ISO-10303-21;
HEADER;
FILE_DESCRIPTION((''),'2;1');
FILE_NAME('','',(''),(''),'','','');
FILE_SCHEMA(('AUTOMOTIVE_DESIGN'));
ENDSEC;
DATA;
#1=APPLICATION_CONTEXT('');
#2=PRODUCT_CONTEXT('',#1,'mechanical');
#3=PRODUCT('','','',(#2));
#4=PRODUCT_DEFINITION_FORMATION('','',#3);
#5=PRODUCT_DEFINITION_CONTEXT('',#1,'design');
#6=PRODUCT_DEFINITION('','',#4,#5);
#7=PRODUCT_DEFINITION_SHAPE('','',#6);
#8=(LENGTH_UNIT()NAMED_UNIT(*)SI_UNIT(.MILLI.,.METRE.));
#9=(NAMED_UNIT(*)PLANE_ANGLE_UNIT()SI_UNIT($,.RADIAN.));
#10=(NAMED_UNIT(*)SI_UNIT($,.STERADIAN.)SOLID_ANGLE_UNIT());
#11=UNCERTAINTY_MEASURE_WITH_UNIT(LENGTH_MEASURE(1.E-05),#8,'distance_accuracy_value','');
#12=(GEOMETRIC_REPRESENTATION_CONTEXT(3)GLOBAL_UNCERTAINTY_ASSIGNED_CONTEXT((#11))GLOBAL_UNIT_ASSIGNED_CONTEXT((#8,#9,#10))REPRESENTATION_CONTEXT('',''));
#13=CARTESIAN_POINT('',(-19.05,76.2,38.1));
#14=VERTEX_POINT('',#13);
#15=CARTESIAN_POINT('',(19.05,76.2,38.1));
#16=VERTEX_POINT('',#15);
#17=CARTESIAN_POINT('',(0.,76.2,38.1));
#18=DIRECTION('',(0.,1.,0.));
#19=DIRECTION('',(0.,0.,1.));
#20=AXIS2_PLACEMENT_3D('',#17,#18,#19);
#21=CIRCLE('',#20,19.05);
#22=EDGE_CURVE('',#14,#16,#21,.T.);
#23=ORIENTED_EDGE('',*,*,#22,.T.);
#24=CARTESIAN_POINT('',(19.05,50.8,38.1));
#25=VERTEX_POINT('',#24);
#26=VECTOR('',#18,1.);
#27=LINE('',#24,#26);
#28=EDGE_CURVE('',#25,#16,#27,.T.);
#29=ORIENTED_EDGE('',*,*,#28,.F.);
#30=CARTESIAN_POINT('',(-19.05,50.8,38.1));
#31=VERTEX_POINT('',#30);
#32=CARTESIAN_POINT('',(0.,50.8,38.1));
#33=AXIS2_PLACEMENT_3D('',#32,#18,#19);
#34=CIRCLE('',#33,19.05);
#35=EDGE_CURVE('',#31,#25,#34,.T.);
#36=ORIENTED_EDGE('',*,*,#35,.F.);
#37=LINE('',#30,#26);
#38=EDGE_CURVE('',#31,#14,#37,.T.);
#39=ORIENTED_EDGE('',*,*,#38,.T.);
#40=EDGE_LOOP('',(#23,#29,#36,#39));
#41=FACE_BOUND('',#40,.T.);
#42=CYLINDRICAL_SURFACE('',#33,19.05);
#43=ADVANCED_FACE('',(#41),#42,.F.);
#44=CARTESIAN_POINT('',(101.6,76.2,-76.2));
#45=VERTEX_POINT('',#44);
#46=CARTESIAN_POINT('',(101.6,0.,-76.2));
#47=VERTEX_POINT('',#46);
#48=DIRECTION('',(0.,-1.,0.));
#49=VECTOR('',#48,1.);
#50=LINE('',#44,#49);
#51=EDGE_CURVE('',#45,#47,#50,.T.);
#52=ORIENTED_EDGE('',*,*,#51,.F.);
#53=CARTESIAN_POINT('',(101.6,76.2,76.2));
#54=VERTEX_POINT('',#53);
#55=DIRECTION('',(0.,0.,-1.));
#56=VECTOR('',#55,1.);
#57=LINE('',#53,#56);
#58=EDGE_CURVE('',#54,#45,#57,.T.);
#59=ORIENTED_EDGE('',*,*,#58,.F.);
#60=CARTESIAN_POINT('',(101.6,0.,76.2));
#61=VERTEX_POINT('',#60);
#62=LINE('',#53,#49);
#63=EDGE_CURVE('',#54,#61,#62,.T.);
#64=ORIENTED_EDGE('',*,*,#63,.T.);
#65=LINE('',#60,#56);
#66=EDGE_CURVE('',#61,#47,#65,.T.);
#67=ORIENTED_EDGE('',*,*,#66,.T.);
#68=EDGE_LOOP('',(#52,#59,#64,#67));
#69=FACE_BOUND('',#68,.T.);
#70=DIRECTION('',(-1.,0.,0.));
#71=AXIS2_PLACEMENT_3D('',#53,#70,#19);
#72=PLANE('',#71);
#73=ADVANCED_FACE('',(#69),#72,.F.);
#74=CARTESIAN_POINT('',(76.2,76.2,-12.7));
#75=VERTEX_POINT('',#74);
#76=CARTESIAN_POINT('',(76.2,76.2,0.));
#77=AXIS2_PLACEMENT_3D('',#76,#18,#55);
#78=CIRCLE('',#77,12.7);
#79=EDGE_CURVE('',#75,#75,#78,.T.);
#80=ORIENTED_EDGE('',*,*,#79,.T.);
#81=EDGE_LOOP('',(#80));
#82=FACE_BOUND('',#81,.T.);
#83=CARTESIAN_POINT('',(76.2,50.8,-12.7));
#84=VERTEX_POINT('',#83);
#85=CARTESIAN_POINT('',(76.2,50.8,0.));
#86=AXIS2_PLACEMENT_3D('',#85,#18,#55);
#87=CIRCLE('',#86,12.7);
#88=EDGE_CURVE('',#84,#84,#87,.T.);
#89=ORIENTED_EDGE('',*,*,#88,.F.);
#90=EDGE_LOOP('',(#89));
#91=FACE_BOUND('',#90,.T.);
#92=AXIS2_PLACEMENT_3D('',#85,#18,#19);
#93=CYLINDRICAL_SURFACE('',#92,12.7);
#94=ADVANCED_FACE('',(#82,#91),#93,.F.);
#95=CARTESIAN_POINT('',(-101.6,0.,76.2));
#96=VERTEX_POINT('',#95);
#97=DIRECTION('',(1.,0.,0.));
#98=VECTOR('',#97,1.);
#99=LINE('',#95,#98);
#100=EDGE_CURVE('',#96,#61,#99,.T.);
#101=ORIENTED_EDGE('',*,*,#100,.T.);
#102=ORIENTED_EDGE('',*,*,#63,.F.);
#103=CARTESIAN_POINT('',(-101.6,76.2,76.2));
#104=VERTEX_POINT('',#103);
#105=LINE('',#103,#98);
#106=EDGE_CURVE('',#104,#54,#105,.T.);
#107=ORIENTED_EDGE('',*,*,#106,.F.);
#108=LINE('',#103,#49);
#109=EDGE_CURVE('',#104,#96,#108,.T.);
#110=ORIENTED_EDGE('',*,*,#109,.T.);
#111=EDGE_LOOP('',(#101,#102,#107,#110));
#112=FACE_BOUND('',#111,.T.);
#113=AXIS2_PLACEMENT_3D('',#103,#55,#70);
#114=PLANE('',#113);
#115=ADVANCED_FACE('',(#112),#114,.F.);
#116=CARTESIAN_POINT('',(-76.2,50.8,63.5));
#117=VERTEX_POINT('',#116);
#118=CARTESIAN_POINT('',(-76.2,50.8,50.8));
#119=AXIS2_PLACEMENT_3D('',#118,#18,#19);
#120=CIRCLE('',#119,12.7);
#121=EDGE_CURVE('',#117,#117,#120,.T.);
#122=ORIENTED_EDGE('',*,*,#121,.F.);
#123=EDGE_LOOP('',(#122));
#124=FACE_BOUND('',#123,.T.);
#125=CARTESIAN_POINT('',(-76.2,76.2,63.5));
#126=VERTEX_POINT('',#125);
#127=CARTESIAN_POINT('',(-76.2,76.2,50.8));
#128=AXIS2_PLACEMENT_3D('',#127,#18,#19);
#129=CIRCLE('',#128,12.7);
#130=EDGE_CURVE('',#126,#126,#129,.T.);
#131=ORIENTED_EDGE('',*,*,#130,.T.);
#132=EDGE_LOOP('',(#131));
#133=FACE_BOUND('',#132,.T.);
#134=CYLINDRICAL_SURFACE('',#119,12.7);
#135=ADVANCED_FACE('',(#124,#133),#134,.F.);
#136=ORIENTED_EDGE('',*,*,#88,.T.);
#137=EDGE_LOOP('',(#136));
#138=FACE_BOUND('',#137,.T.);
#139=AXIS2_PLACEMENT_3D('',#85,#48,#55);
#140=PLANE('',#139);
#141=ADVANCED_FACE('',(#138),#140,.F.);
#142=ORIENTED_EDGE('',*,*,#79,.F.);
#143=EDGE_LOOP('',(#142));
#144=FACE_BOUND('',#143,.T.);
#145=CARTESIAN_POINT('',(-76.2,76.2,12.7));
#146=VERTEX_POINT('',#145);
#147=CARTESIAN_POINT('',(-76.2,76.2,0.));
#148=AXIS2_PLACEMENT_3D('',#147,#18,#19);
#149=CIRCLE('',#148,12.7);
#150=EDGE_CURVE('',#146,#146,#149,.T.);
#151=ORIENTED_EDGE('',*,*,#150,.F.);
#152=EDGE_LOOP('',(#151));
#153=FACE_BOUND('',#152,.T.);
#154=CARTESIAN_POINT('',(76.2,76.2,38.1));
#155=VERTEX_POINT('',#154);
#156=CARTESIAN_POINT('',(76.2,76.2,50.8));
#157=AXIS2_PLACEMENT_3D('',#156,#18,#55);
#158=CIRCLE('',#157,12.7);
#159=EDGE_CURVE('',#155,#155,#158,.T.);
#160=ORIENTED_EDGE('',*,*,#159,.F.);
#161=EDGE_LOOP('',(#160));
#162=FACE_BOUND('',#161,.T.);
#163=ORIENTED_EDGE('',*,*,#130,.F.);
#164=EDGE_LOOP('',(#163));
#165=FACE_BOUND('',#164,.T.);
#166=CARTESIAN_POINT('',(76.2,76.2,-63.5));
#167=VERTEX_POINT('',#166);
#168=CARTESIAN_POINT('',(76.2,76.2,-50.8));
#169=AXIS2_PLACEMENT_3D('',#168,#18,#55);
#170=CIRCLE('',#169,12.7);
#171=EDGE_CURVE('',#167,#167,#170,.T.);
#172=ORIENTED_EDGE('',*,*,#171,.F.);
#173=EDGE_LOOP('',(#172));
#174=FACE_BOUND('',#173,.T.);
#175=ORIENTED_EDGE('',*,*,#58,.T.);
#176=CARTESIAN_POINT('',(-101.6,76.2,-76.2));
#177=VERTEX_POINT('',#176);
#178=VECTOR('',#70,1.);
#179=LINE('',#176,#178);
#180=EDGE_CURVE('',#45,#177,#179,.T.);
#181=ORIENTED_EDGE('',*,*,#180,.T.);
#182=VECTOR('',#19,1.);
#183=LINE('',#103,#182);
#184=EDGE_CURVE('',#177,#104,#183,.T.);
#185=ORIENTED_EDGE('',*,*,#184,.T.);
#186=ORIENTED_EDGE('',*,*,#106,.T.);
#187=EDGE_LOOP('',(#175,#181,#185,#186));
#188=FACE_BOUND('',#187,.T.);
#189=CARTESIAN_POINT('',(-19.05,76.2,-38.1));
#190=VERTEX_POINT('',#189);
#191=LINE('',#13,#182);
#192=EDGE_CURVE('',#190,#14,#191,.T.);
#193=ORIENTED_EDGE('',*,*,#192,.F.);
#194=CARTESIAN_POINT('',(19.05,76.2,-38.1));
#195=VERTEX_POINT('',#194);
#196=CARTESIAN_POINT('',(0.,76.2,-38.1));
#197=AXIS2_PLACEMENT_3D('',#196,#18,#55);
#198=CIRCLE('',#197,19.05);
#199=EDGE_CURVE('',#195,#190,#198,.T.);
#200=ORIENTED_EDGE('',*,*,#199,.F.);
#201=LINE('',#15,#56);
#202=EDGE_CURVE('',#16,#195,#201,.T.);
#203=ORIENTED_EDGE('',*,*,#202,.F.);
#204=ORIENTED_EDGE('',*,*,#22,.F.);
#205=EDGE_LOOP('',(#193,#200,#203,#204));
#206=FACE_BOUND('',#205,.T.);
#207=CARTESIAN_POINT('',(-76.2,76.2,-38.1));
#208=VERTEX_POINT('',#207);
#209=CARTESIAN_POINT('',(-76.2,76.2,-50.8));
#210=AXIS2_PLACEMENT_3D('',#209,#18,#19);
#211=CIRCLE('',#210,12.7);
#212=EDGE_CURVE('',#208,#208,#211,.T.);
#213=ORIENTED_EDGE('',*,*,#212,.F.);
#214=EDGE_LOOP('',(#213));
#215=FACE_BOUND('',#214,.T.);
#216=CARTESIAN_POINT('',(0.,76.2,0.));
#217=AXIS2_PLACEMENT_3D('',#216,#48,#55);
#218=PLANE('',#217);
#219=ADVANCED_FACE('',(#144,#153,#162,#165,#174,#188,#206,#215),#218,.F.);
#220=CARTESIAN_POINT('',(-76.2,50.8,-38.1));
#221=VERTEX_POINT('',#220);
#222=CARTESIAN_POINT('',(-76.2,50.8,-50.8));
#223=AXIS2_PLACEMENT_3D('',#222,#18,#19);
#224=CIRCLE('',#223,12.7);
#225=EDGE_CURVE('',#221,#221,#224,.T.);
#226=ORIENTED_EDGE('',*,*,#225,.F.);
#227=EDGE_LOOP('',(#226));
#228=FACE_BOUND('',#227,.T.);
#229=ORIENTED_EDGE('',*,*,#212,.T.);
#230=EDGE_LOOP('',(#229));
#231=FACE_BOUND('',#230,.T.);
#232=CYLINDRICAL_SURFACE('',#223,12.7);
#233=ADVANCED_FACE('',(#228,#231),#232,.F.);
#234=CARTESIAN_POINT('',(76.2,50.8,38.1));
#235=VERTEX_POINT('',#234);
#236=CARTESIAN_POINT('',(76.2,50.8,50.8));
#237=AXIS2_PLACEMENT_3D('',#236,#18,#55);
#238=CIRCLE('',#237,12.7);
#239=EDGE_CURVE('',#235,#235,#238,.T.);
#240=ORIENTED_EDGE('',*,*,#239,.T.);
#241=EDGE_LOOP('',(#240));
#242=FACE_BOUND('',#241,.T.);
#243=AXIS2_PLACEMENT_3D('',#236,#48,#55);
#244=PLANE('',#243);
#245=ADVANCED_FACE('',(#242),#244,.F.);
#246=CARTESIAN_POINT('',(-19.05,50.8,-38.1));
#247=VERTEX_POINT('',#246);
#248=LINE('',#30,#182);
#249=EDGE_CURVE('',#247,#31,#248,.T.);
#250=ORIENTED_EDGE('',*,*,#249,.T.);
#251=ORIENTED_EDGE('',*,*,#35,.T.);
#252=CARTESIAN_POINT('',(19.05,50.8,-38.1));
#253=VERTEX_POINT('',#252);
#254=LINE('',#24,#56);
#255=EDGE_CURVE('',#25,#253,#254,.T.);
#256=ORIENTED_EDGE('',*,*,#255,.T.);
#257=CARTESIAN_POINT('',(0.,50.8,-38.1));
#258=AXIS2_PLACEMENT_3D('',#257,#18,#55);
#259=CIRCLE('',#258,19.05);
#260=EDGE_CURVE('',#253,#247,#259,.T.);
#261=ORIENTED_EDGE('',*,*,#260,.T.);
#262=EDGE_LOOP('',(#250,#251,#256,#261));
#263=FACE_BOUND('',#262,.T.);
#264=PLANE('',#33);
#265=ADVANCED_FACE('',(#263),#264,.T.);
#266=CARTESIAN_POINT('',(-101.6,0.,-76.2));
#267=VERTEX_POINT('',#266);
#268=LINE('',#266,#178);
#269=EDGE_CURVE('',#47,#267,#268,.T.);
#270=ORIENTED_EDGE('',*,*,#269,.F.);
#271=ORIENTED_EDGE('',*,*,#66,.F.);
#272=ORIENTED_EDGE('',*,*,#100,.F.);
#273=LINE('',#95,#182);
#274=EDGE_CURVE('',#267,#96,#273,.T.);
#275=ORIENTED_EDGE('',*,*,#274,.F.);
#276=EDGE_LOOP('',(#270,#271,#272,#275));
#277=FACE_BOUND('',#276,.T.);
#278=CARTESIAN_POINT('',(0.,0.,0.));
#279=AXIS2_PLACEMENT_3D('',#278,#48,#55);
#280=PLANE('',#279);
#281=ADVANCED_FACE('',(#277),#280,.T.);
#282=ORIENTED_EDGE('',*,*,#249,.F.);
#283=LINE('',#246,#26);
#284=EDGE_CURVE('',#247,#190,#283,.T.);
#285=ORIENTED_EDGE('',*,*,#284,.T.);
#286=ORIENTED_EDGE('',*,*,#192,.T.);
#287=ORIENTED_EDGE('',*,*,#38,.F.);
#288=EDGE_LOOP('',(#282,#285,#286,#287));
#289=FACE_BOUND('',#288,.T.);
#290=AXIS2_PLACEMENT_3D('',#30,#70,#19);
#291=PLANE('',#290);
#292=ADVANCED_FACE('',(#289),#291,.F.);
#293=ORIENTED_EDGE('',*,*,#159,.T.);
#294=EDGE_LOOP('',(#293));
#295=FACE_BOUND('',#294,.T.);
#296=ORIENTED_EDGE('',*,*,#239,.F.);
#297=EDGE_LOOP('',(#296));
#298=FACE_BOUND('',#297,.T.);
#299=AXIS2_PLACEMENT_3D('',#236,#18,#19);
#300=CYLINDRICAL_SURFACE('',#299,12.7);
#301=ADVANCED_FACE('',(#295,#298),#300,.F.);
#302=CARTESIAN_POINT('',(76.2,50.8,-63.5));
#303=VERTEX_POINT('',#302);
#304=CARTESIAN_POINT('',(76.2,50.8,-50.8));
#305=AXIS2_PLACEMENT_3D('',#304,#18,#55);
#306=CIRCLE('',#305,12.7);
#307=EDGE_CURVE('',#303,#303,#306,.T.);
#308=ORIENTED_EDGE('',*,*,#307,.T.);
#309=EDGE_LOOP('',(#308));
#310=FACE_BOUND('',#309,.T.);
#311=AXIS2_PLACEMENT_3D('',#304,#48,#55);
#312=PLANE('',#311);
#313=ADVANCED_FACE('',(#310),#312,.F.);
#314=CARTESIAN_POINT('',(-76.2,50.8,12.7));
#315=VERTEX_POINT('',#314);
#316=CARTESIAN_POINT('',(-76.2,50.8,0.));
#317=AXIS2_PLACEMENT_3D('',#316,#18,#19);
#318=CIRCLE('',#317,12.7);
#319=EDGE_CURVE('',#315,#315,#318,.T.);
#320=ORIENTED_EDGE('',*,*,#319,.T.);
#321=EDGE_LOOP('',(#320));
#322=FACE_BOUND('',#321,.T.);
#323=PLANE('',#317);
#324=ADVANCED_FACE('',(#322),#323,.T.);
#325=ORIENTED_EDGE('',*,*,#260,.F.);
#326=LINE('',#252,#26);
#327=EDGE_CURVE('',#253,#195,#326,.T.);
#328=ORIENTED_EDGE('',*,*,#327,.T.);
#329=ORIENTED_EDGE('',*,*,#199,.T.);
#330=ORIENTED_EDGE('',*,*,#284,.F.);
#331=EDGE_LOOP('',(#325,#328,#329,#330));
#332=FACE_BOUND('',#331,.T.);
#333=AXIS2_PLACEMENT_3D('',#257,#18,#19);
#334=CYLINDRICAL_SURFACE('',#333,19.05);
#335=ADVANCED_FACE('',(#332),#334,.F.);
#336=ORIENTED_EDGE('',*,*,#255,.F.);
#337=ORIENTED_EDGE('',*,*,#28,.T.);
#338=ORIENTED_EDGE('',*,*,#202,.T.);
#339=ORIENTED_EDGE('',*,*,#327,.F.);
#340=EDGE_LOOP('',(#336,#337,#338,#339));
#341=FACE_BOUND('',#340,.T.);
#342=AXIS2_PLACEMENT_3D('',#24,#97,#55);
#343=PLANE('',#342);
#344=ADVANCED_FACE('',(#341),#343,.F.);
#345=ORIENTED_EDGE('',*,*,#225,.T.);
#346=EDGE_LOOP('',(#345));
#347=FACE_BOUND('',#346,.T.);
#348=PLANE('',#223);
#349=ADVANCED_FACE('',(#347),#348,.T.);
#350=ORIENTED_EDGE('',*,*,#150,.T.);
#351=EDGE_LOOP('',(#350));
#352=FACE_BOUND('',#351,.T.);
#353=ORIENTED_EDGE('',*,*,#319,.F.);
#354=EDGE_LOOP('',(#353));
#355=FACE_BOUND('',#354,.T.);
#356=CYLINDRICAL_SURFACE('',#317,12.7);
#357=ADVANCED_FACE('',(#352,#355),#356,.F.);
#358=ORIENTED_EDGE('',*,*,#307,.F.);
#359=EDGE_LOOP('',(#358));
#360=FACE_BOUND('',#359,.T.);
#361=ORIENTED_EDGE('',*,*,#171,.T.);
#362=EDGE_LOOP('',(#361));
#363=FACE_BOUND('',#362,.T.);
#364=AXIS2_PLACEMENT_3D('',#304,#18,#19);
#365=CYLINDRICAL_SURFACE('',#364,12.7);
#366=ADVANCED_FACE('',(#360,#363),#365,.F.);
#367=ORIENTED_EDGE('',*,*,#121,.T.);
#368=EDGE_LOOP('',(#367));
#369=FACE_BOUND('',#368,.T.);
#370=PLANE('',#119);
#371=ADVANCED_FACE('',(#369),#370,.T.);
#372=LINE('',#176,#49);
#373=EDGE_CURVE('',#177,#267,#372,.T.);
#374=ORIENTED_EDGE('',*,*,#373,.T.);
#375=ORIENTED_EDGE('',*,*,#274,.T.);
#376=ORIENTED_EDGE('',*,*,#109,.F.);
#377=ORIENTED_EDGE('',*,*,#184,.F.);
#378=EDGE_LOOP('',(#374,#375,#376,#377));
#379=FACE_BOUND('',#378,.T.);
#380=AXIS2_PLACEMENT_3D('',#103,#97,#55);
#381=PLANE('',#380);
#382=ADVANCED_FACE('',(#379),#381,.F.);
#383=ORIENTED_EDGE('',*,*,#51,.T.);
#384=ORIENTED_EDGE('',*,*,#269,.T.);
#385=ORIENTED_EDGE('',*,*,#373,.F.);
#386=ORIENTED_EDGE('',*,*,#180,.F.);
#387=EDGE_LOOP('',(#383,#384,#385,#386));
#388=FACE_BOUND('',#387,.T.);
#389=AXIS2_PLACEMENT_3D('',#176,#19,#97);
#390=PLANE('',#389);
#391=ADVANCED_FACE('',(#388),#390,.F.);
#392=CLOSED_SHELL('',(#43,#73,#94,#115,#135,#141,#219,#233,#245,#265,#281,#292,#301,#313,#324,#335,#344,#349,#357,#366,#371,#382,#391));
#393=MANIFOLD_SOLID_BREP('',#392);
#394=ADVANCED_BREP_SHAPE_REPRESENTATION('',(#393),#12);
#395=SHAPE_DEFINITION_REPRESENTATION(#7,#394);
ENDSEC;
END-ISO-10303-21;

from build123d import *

# Parameters (mm, degrees)
SKETCH1_W           = 203.2
SKETCH1_H           = 152.4
BOSS_EXTRUDE1_DEPTH = 76.2
SKETCH2_R           = 12.7
CUT_EXTRUDE1_DEPTH  = 25.4


with BuildPart() as part:
    # Sketch1 → Boss-Extrude1 (new body)
    with BuildSketch(Plane(origin=(0, 0, 0), x_dir=(1, 0, 0), z_dir=(0, 1, 0))):
        Rectangle(SKETCH1_W, SKETCH1_H)
    extrude(amount=BOSS_EXTRUDE1_DEPTH)

    # Sketch2 → Cut-Extrude1 (cut)
    with BuildSketch(Plane(origin=(0, 76.2, 0), x_dir=(1, 0, 0), z_dir=(0, 1, 0))):
        with Locations((-76.2, -50.8)):
            Circle(SKETCH2_R)
        with Locations((-76.2, 0)):
            Circle(SKETCH2_R)
        with Locations((-76.2, 50.8)):
            Circle(SKETCH2_R)
        with Locations((76.2, 50.8)):
            Circle(SKETCH2_R)
        with Locations((76.2, -50.8)):
            Circle(SKETCH2_R)
        with Locations((76.2, 0)):
            Circle(SKETCH2_R)
        with BuildLine():
            Line((-19.05, -38.1), (-19.05, 38.1))
            ThreePointArc((-19.05, 38.1), (0, 57.15), (19.05, 38.1))
            Line((19.05, 38.1), (19.05, -38.1))
            ThreePointArc((19.05, -38.1), (0, -57.15), (-19.05, -38.1))
        make_face()
    extrude(amount=-CUT_EXTRUDE1_DEPTH, mode=Mode.SUBTRACT)


solid = part.part
